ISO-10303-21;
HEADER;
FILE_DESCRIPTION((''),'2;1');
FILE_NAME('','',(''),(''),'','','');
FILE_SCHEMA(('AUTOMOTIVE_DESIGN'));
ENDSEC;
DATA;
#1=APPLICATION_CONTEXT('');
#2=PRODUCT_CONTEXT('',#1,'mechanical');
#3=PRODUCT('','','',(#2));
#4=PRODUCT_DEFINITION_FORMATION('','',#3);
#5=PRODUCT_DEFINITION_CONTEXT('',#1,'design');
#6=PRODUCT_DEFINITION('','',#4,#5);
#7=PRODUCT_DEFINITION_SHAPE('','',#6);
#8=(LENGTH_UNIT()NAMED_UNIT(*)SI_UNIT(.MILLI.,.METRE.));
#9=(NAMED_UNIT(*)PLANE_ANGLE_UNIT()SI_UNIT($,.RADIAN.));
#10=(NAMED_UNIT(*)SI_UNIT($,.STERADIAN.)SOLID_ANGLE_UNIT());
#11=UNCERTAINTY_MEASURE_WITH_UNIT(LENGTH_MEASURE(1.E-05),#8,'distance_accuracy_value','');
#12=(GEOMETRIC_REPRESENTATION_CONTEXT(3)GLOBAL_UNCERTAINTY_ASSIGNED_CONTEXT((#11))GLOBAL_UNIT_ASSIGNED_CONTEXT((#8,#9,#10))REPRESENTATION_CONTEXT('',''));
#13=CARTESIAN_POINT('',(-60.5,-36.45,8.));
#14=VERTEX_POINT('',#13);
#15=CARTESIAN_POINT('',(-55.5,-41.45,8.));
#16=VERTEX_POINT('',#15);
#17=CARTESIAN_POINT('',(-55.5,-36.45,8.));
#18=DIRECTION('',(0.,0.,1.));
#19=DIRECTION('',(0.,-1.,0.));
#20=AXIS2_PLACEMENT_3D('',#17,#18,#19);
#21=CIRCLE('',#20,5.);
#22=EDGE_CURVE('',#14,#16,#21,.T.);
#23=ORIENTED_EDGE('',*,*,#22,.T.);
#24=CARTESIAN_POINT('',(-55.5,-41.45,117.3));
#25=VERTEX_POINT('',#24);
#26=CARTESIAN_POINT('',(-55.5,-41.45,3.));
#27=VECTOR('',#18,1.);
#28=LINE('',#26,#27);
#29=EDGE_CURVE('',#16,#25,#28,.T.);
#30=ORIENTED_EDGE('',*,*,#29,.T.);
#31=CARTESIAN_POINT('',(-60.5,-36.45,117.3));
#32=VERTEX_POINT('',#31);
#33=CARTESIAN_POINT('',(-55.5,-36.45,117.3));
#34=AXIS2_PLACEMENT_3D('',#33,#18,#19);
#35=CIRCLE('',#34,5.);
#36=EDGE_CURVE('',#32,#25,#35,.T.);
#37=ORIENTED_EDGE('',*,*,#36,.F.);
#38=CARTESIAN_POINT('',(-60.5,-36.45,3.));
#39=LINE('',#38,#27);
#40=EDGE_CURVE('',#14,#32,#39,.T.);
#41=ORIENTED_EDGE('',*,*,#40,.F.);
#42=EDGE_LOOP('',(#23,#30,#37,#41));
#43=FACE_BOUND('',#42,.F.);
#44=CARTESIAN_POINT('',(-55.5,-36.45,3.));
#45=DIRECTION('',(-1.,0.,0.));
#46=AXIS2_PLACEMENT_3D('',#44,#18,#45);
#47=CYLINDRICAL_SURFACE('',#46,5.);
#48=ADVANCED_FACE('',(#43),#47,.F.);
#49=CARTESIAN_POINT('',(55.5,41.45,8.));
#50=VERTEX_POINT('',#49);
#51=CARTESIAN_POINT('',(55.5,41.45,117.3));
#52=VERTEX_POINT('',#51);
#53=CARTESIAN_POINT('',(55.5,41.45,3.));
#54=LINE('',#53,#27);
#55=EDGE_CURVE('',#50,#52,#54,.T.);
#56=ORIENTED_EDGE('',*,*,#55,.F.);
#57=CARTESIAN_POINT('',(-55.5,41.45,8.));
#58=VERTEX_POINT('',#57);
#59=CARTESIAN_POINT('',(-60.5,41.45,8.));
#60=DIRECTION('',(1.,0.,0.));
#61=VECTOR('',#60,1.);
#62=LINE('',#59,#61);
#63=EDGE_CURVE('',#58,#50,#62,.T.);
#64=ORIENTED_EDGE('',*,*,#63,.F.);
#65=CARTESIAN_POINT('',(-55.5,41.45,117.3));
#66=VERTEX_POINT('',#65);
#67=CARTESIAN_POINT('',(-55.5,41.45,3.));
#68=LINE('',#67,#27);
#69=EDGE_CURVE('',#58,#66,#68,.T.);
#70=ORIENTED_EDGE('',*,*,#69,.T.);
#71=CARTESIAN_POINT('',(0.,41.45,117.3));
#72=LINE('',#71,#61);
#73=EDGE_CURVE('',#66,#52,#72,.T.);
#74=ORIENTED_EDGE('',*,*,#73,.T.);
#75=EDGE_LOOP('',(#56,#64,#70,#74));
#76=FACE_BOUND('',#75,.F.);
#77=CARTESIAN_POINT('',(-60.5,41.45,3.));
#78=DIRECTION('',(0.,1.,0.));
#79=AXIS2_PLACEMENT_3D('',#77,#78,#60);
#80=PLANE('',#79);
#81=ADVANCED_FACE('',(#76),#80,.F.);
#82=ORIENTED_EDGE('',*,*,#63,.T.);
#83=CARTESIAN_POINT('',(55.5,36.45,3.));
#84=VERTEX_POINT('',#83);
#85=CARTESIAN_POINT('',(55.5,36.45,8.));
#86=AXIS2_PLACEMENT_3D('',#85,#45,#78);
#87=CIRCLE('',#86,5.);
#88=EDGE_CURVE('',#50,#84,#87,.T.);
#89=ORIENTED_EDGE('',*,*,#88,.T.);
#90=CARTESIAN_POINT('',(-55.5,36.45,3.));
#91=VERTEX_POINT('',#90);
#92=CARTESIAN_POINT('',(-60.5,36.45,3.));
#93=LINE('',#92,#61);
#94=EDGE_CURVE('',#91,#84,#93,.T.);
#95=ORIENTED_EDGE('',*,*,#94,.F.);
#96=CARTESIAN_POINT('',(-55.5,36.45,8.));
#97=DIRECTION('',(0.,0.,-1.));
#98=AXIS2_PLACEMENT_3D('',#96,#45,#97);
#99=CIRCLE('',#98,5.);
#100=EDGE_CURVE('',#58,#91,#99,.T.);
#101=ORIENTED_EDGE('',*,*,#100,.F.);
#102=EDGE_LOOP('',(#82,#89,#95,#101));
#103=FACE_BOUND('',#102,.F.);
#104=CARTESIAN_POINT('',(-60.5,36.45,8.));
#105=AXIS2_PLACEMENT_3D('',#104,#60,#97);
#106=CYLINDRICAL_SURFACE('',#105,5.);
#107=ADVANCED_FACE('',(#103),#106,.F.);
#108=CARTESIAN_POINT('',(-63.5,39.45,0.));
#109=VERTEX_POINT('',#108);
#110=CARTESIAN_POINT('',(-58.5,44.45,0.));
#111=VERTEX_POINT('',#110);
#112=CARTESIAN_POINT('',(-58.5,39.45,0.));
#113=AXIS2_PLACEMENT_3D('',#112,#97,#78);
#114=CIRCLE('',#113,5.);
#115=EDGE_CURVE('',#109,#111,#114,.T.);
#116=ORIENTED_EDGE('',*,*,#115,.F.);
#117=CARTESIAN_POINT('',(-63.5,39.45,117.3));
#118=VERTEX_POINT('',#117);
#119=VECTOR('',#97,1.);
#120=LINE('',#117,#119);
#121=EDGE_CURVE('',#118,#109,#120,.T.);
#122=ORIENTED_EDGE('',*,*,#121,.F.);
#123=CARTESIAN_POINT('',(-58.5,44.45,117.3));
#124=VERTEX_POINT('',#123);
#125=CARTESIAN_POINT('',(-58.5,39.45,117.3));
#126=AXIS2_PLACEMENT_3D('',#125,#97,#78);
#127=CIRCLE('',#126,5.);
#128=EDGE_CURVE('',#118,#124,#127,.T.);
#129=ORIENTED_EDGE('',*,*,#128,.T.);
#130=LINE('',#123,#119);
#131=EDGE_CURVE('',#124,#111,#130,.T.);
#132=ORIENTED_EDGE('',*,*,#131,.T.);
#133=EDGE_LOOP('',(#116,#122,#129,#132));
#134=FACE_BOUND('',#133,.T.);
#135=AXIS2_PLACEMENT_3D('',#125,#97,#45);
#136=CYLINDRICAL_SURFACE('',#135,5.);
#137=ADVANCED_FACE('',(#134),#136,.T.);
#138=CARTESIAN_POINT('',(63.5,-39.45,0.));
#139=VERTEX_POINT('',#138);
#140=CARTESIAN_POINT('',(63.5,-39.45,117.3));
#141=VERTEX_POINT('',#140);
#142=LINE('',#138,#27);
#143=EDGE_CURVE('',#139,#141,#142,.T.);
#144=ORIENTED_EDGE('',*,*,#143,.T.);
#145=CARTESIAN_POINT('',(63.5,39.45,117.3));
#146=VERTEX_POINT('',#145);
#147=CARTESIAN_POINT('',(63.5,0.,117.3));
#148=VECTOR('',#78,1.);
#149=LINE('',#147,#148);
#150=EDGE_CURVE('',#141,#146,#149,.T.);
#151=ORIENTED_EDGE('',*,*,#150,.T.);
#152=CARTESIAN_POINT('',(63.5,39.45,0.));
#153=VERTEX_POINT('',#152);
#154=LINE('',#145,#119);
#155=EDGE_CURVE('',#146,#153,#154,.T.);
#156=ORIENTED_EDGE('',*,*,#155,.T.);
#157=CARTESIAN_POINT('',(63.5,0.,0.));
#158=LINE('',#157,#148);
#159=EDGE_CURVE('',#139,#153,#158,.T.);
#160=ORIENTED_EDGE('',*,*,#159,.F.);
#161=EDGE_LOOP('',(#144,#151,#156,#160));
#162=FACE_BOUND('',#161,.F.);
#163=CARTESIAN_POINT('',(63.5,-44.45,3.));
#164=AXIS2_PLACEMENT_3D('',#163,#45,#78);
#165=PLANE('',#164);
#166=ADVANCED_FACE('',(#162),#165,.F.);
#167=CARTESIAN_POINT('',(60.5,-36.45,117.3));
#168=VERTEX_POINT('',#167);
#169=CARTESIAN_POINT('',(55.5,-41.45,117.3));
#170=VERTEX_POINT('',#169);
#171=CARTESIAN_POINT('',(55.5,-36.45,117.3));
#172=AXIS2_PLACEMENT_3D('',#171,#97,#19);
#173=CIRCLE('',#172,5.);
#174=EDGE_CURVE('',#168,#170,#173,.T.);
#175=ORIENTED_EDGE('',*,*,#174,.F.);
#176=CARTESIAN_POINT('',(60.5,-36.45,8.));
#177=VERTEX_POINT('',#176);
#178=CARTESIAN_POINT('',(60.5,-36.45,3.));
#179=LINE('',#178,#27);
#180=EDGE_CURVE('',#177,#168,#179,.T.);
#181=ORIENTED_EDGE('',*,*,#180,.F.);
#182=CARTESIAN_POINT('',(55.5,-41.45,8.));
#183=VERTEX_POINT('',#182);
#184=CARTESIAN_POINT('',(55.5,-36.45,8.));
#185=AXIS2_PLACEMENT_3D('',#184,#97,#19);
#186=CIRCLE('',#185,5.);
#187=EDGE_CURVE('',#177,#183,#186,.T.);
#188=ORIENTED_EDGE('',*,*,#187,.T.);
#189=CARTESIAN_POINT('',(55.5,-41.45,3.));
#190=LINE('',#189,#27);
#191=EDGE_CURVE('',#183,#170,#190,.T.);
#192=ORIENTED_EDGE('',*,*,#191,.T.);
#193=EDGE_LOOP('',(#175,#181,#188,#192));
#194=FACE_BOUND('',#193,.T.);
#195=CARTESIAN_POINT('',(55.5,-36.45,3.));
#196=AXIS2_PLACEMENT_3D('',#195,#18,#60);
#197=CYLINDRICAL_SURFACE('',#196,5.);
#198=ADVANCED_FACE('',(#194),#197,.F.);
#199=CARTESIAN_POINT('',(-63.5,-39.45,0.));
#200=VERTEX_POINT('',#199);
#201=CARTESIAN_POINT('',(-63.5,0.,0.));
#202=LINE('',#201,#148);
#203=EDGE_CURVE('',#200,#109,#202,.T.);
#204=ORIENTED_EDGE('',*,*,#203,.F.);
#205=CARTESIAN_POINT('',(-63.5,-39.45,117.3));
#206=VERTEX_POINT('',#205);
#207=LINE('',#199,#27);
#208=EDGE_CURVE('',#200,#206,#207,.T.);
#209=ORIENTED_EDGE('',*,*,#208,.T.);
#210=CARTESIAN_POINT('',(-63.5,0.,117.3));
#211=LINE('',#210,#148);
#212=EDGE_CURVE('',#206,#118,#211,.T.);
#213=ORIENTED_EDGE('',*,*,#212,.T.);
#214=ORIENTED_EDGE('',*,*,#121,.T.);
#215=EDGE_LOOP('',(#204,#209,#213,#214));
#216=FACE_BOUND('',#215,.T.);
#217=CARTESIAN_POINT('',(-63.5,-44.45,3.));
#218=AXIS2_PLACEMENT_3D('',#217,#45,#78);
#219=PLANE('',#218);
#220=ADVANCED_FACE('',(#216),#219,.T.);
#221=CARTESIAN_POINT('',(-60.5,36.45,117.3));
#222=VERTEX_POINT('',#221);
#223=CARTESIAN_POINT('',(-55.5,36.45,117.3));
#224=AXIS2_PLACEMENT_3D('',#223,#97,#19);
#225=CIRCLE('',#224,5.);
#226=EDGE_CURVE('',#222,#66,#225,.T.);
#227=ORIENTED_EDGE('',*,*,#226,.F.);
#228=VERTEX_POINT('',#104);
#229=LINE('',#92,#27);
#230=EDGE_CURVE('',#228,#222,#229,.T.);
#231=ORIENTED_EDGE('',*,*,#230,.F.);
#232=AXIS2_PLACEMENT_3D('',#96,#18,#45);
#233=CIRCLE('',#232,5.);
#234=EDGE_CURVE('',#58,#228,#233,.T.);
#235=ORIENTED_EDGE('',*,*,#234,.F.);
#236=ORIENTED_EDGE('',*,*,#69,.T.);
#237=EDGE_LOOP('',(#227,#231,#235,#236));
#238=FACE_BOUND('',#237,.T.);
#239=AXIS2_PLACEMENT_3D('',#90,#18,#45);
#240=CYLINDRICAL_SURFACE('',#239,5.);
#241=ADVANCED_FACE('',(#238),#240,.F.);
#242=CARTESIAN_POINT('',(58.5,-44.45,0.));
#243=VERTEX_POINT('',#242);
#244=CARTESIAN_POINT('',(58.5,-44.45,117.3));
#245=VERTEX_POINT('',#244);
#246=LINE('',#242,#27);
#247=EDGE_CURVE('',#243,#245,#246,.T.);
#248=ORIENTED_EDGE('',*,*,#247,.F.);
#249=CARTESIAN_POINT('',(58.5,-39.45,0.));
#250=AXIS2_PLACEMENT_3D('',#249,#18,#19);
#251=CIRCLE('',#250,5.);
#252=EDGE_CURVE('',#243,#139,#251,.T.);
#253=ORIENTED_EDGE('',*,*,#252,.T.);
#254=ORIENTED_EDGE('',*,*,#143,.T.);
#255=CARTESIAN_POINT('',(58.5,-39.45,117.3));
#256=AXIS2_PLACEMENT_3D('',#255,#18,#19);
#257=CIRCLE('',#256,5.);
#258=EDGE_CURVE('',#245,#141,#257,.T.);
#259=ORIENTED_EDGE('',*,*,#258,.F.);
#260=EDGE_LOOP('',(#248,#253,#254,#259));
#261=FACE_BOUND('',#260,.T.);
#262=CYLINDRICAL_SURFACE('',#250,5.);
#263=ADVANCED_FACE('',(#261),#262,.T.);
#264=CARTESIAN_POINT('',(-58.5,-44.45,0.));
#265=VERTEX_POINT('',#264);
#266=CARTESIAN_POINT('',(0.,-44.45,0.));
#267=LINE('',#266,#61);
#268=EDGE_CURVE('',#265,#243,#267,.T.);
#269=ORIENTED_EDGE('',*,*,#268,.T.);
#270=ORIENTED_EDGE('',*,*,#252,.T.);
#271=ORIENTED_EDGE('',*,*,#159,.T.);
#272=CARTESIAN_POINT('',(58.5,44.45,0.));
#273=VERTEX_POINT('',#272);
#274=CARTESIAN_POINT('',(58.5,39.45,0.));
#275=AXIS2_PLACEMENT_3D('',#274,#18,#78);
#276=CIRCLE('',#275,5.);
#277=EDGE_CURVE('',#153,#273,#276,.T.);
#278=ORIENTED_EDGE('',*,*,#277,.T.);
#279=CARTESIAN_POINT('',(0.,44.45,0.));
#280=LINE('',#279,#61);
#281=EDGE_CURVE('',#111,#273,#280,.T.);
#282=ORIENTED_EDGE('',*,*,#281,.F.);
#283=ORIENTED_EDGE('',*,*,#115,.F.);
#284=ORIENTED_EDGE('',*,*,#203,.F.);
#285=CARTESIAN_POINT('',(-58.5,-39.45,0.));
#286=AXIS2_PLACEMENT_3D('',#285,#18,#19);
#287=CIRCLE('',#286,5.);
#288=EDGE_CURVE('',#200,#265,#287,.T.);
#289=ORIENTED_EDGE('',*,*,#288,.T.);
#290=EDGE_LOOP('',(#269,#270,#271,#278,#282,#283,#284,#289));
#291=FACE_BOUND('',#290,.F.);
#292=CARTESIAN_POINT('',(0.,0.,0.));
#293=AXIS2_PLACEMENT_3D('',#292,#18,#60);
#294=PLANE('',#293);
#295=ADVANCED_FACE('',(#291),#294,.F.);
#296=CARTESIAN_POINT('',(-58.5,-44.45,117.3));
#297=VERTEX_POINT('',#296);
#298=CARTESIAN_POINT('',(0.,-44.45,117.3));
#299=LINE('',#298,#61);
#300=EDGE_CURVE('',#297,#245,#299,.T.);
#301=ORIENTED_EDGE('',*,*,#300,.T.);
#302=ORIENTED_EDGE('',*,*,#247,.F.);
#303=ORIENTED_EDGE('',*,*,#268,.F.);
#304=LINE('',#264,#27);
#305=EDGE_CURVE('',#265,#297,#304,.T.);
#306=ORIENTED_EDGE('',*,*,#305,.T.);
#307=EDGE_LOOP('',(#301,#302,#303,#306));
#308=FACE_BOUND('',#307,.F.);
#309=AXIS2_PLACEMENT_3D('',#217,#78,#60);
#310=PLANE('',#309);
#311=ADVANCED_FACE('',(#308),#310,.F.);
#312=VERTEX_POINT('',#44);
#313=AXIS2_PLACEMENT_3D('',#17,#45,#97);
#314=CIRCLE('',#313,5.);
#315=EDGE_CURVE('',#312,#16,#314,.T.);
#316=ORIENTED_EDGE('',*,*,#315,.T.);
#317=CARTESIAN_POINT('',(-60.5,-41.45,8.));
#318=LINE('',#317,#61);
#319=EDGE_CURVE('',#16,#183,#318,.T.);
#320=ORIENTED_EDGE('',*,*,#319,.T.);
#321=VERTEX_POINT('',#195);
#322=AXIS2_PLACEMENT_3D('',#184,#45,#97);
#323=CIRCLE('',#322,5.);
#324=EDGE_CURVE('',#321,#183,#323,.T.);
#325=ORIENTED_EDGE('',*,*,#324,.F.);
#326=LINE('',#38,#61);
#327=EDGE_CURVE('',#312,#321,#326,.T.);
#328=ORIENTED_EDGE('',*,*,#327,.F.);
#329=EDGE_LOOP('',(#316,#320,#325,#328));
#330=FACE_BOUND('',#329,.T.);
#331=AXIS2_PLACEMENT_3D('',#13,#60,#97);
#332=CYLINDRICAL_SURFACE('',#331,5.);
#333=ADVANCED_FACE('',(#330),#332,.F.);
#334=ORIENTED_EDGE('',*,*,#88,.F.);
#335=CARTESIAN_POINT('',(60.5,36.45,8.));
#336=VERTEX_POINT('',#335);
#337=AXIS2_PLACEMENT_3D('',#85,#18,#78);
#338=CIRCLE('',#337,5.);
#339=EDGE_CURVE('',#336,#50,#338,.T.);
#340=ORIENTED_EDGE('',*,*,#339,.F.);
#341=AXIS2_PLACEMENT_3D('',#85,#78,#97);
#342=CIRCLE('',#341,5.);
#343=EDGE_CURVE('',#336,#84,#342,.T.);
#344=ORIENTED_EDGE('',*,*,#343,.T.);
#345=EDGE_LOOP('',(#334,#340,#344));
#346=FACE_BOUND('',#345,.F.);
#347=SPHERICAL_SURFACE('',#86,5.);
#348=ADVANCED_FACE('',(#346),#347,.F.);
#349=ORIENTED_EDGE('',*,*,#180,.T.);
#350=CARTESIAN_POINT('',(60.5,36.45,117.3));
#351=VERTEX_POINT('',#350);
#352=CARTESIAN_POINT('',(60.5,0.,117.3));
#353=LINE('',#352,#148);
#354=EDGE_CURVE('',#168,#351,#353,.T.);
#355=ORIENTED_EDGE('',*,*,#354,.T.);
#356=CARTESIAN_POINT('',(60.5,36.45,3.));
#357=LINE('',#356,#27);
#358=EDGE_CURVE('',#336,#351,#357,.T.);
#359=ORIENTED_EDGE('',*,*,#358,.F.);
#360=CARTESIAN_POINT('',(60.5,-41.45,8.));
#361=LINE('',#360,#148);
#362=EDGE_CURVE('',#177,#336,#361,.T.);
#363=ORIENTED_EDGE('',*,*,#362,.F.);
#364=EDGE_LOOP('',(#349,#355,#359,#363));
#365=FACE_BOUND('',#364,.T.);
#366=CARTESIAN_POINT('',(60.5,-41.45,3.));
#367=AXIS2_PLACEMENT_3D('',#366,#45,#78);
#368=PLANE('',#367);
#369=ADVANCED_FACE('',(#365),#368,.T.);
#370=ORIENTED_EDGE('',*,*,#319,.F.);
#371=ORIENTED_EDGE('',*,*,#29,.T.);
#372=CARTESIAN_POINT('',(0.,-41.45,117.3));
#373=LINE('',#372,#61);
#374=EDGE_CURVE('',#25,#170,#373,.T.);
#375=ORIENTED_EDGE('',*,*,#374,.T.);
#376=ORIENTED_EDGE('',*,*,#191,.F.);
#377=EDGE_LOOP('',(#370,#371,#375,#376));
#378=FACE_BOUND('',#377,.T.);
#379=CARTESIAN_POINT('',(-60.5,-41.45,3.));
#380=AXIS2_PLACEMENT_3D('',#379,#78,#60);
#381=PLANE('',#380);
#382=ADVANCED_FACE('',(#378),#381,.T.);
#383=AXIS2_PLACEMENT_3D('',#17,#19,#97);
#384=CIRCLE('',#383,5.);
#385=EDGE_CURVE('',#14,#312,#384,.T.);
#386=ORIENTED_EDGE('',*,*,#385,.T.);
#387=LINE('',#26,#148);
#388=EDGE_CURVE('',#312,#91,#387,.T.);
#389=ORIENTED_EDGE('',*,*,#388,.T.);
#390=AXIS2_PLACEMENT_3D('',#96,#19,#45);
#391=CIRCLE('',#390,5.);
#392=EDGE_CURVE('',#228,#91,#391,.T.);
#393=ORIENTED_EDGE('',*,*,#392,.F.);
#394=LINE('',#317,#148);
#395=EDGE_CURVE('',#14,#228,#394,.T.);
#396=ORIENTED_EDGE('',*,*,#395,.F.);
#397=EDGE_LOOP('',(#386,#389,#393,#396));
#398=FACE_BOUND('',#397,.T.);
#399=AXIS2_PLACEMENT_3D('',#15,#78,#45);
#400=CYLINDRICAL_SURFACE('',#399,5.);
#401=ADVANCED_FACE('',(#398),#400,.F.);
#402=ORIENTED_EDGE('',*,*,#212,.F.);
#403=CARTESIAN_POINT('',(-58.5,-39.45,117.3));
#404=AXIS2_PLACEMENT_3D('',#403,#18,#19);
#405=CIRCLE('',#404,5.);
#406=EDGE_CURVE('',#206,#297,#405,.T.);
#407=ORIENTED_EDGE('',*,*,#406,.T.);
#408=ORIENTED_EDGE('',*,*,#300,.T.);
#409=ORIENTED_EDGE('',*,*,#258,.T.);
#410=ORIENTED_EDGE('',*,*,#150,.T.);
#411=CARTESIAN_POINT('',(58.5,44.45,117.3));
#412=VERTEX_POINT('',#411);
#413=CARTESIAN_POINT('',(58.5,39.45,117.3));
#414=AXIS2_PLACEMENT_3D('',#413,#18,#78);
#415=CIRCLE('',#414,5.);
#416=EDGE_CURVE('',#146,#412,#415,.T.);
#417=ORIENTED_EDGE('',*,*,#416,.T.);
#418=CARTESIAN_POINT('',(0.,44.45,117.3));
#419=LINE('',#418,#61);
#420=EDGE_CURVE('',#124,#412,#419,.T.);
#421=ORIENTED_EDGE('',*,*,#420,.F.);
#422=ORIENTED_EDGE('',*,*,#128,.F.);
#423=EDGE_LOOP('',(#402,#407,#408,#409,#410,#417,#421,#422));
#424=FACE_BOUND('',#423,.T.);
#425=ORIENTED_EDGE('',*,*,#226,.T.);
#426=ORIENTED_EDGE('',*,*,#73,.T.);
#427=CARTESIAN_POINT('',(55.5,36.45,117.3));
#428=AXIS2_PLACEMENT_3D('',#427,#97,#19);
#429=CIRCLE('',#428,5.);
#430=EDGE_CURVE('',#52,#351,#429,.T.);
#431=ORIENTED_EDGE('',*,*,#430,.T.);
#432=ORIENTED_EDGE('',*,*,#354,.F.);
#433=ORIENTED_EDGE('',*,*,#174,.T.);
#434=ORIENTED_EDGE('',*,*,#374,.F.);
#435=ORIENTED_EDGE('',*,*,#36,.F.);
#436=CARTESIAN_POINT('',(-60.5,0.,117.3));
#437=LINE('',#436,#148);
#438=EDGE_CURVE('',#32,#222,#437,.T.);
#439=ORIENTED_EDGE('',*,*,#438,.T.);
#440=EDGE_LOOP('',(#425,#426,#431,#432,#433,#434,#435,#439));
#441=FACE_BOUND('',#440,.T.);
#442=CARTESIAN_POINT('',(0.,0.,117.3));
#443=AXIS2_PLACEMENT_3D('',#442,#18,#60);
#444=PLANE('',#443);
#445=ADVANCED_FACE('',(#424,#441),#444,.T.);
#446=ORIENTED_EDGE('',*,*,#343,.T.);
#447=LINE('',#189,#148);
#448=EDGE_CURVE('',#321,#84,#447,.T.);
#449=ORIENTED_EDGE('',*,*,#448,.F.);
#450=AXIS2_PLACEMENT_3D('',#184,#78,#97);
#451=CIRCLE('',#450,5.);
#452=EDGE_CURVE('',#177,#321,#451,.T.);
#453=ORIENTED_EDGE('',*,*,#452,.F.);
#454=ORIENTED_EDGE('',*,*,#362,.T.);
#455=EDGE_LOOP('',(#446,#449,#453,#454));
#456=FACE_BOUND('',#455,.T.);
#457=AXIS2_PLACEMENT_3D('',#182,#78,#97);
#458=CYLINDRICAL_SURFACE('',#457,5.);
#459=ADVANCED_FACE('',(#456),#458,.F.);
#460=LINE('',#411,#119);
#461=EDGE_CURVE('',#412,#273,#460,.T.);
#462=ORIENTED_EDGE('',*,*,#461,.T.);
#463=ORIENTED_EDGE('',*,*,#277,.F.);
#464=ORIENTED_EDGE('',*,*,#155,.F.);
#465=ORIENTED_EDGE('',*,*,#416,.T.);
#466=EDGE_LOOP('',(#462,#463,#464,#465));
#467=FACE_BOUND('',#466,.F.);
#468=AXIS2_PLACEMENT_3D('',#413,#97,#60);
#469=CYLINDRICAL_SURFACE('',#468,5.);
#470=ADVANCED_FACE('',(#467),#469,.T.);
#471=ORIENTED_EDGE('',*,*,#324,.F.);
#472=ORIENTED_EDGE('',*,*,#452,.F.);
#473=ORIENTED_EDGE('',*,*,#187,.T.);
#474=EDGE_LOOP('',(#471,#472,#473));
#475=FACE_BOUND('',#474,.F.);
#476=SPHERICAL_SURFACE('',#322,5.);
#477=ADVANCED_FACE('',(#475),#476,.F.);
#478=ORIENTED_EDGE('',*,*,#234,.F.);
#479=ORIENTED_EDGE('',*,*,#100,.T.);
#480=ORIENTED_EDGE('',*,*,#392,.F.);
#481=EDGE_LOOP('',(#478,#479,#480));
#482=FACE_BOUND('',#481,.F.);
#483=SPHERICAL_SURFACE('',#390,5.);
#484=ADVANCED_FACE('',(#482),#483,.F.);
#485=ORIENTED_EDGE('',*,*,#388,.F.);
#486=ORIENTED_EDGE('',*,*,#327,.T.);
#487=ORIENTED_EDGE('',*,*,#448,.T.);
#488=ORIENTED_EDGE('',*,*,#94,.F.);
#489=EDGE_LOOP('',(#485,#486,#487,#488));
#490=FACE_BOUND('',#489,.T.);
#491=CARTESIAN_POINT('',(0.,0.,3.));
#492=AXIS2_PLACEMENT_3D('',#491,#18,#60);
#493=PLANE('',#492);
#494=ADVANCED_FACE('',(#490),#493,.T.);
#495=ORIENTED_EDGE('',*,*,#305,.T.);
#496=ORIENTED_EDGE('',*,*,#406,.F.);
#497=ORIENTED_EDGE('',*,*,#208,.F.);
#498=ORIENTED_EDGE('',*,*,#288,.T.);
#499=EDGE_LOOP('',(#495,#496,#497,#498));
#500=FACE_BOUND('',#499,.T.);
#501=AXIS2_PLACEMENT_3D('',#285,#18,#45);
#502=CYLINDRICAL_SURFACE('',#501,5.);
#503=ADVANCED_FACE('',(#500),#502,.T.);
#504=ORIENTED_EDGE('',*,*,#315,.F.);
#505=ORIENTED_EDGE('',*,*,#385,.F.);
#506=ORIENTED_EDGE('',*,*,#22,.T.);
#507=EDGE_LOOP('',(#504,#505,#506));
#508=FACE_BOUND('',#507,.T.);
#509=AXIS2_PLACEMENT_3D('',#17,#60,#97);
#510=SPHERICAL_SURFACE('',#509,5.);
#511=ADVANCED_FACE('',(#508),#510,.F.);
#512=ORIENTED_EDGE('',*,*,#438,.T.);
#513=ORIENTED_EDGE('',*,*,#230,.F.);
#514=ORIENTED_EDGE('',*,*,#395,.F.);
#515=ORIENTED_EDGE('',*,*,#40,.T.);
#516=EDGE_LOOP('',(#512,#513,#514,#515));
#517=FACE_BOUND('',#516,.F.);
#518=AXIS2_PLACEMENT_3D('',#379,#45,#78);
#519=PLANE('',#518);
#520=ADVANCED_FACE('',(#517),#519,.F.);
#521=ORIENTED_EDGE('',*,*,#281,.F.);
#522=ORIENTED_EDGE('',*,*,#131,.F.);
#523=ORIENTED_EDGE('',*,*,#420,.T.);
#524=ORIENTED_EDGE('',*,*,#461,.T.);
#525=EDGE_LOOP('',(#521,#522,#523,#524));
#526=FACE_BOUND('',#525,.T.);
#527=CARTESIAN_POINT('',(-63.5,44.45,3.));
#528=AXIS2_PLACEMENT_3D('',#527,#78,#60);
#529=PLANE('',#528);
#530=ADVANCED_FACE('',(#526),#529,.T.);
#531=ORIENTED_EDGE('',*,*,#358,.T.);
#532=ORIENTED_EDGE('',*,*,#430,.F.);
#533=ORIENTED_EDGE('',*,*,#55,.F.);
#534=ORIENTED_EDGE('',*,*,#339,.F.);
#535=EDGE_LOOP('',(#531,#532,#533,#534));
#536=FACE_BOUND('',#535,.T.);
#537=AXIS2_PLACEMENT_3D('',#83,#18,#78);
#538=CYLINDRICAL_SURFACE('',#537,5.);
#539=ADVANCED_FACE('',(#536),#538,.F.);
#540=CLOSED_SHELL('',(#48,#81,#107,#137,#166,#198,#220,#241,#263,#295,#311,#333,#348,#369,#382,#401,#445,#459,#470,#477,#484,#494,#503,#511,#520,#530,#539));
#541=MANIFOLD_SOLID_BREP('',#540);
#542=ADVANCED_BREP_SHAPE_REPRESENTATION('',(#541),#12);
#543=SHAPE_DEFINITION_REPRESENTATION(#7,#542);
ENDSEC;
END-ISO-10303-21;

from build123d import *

# Parameters (mm, degrees)
F0_W     = 127
F0_H     = 88.9
F1_DEPTH = 3
F2_W     = 127
F2_H     = 88.9
F2_W_2   = 121
F2_H_2   = 82.9
F3_DEPTH = 114.3
F4_R     = 5


with BuildPart() as f1:
    # F0 (on Top) → F1 (new body)
    with BuildSketch(Plane.XY):
        Rectangle(F0_W, F0_H)
    extrude(amount=F1_DEPTH)

    # F2 (on face) → F3 (join)
    with BuildSketch(Plane.XY.offset(3)):
        Rectangle(F2_W, F2_H)
        Rectangle(F2_W_2, F2_H_2, mode=Mode.SUBTRACT)
    extrude(amount=F3_DEPTH)

    # F4
    f4_edges = [f1.edges().sort_by_distance(p)[0] for p in [
        (0, -41.45, 3),
        (-60.5, 0, 3),
        (-60.5, -41.45, 60.15),
        (-60.5, 41.45, 60.15),
        (0, 41.45, 3),
        (60.5, 41.45, 60.15),
        (60.5, 0, 3),
        (60.5, -41.45, 60.15),
        (63.5, -44.45, 58.65),
        (63.5, 44.45, 58.65),
        (-63.5, 44.45, 58.65),
        (-63.5, -44.45, 58.65),
    ]]
    fillet(f4_edges, radius=F4_R)


solid = f1.part
